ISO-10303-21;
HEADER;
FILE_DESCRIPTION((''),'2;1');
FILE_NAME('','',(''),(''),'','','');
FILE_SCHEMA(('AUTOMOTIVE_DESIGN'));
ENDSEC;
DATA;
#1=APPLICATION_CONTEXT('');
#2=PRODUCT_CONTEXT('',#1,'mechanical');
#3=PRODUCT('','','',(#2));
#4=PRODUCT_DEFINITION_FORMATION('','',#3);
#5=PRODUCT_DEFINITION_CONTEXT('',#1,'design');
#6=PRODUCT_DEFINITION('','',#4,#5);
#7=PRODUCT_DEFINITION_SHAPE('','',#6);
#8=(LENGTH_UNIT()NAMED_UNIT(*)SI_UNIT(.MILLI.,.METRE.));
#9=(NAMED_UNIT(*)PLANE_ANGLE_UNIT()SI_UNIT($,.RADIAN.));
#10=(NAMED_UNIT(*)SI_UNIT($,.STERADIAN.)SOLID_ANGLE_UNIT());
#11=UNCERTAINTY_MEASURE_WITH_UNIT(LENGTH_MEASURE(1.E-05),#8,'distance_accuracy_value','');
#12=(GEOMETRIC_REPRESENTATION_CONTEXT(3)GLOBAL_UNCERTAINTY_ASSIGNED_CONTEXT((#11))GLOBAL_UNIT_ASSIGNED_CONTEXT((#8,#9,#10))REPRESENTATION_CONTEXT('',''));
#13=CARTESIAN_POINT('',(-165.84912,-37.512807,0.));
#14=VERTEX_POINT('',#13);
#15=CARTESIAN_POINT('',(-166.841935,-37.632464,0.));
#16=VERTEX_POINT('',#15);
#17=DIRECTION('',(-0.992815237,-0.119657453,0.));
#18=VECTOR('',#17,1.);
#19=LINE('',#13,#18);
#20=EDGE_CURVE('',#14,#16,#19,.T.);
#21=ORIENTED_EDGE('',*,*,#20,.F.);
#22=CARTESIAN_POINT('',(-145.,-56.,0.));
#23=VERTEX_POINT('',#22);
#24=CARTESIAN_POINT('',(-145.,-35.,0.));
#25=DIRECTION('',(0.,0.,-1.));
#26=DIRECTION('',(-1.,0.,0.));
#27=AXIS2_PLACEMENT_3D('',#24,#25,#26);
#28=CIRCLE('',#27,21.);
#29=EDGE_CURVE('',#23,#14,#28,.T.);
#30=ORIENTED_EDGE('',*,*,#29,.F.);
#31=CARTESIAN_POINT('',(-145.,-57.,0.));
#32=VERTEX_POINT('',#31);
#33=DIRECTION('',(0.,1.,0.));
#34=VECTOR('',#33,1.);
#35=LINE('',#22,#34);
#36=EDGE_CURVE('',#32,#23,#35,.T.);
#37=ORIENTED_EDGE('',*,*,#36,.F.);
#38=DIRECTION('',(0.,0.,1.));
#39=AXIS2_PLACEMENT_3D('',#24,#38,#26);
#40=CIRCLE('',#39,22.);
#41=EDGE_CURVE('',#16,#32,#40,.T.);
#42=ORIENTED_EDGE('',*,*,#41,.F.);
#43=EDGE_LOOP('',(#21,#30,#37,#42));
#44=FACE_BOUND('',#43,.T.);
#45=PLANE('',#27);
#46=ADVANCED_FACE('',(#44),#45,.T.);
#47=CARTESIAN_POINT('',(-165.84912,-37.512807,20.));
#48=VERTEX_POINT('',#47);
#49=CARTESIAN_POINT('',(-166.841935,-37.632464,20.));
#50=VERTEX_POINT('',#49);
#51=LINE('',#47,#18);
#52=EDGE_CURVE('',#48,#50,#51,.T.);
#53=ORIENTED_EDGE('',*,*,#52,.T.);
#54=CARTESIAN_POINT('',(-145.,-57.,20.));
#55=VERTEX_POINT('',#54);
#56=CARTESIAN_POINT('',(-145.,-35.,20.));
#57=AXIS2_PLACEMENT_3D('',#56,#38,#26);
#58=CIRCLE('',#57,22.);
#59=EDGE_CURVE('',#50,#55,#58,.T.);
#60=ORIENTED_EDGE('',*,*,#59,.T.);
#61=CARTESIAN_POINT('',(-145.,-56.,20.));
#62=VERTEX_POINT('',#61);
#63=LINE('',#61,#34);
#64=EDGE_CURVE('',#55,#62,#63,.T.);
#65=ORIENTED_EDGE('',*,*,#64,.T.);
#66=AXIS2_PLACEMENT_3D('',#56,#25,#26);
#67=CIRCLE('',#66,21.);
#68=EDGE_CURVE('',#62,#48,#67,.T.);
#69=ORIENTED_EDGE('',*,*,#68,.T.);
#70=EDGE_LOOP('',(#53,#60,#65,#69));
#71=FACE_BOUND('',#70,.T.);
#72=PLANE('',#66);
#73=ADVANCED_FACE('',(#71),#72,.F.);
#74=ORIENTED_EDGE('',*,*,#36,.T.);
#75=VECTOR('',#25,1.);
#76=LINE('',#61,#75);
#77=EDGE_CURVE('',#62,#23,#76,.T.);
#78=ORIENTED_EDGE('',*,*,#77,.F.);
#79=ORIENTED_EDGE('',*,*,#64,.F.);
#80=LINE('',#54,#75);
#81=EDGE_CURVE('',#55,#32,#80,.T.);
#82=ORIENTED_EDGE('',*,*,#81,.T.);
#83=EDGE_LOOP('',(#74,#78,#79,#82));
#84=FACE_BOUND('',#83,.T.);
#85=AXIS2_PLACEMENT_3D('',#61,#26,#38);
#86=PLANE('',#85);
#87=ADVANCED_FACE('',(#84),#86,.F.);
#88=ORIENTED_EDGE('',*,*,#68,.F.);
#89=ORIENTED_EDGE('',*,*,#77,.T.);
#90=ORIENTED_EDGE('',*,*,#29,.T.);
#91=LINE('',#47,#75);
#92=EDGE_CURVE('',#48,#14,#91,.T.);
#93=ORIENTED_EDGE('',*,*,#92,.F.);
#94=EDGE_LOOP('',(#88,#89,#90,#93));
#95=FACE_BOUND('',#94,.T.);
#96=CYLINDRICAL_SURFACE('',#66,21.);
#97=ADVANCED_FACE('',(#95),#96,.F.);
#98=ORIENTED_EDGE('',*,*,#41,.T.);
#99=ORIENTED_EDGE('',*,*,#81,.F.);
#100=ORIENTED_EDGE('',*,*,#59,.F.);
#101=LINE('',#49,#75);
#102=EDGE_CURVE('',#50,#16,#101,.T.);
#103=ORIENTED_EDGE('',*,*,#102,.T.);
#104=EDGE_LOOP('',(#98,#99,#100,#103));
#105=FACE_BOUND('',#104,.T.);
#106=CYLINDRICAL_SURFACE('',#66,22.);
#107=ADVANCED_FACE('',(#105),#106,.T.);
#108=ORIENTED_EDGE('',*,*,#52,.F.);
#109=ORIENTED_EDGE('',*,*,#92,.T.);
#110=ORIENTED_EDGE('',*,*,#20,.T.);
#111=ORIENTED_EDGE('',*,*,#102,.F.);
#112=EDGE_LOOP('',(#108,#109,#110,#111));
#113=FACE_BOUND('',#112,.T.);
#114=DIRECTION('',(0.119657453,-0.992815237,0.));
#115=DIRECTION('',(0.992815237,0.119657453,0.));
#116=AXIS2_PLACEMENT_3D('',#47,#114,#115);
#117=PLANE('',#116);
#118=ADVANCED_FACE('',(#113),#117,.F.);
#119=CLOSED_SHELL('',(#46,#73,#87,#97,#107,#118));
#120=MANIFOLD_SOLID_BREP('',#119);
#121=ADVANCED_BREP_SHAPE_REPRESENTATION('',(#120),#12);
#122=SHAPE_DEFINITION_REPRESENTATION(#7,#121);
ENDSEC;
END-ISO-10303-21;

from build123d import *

# Parameters (mm, degrees)
EXTRUDE_1_DEPTH = 20


with BuildPart() as part:
    # 草圖1 → 填料-伸長1 (new body)
    with BuildSketch(Plane.XY):
        with BuildLine():
            Line((-145, -56), (-145, -57))
            ThreePointArc((-145, -57), (-159.595989048, -51.4607747), (-166.841935203, -37.632463975))
            Line((-166.841935203, -37.632463975), (-165.849119967, -37.512806521))
            ThreePointArc((-165.849119967, -37.512806521), (-158.932535, -50.712557668), (-145, -56))
        make_face()
    extrude(amount=EXTRUDE_1_DEPTH)


solid = part.part
